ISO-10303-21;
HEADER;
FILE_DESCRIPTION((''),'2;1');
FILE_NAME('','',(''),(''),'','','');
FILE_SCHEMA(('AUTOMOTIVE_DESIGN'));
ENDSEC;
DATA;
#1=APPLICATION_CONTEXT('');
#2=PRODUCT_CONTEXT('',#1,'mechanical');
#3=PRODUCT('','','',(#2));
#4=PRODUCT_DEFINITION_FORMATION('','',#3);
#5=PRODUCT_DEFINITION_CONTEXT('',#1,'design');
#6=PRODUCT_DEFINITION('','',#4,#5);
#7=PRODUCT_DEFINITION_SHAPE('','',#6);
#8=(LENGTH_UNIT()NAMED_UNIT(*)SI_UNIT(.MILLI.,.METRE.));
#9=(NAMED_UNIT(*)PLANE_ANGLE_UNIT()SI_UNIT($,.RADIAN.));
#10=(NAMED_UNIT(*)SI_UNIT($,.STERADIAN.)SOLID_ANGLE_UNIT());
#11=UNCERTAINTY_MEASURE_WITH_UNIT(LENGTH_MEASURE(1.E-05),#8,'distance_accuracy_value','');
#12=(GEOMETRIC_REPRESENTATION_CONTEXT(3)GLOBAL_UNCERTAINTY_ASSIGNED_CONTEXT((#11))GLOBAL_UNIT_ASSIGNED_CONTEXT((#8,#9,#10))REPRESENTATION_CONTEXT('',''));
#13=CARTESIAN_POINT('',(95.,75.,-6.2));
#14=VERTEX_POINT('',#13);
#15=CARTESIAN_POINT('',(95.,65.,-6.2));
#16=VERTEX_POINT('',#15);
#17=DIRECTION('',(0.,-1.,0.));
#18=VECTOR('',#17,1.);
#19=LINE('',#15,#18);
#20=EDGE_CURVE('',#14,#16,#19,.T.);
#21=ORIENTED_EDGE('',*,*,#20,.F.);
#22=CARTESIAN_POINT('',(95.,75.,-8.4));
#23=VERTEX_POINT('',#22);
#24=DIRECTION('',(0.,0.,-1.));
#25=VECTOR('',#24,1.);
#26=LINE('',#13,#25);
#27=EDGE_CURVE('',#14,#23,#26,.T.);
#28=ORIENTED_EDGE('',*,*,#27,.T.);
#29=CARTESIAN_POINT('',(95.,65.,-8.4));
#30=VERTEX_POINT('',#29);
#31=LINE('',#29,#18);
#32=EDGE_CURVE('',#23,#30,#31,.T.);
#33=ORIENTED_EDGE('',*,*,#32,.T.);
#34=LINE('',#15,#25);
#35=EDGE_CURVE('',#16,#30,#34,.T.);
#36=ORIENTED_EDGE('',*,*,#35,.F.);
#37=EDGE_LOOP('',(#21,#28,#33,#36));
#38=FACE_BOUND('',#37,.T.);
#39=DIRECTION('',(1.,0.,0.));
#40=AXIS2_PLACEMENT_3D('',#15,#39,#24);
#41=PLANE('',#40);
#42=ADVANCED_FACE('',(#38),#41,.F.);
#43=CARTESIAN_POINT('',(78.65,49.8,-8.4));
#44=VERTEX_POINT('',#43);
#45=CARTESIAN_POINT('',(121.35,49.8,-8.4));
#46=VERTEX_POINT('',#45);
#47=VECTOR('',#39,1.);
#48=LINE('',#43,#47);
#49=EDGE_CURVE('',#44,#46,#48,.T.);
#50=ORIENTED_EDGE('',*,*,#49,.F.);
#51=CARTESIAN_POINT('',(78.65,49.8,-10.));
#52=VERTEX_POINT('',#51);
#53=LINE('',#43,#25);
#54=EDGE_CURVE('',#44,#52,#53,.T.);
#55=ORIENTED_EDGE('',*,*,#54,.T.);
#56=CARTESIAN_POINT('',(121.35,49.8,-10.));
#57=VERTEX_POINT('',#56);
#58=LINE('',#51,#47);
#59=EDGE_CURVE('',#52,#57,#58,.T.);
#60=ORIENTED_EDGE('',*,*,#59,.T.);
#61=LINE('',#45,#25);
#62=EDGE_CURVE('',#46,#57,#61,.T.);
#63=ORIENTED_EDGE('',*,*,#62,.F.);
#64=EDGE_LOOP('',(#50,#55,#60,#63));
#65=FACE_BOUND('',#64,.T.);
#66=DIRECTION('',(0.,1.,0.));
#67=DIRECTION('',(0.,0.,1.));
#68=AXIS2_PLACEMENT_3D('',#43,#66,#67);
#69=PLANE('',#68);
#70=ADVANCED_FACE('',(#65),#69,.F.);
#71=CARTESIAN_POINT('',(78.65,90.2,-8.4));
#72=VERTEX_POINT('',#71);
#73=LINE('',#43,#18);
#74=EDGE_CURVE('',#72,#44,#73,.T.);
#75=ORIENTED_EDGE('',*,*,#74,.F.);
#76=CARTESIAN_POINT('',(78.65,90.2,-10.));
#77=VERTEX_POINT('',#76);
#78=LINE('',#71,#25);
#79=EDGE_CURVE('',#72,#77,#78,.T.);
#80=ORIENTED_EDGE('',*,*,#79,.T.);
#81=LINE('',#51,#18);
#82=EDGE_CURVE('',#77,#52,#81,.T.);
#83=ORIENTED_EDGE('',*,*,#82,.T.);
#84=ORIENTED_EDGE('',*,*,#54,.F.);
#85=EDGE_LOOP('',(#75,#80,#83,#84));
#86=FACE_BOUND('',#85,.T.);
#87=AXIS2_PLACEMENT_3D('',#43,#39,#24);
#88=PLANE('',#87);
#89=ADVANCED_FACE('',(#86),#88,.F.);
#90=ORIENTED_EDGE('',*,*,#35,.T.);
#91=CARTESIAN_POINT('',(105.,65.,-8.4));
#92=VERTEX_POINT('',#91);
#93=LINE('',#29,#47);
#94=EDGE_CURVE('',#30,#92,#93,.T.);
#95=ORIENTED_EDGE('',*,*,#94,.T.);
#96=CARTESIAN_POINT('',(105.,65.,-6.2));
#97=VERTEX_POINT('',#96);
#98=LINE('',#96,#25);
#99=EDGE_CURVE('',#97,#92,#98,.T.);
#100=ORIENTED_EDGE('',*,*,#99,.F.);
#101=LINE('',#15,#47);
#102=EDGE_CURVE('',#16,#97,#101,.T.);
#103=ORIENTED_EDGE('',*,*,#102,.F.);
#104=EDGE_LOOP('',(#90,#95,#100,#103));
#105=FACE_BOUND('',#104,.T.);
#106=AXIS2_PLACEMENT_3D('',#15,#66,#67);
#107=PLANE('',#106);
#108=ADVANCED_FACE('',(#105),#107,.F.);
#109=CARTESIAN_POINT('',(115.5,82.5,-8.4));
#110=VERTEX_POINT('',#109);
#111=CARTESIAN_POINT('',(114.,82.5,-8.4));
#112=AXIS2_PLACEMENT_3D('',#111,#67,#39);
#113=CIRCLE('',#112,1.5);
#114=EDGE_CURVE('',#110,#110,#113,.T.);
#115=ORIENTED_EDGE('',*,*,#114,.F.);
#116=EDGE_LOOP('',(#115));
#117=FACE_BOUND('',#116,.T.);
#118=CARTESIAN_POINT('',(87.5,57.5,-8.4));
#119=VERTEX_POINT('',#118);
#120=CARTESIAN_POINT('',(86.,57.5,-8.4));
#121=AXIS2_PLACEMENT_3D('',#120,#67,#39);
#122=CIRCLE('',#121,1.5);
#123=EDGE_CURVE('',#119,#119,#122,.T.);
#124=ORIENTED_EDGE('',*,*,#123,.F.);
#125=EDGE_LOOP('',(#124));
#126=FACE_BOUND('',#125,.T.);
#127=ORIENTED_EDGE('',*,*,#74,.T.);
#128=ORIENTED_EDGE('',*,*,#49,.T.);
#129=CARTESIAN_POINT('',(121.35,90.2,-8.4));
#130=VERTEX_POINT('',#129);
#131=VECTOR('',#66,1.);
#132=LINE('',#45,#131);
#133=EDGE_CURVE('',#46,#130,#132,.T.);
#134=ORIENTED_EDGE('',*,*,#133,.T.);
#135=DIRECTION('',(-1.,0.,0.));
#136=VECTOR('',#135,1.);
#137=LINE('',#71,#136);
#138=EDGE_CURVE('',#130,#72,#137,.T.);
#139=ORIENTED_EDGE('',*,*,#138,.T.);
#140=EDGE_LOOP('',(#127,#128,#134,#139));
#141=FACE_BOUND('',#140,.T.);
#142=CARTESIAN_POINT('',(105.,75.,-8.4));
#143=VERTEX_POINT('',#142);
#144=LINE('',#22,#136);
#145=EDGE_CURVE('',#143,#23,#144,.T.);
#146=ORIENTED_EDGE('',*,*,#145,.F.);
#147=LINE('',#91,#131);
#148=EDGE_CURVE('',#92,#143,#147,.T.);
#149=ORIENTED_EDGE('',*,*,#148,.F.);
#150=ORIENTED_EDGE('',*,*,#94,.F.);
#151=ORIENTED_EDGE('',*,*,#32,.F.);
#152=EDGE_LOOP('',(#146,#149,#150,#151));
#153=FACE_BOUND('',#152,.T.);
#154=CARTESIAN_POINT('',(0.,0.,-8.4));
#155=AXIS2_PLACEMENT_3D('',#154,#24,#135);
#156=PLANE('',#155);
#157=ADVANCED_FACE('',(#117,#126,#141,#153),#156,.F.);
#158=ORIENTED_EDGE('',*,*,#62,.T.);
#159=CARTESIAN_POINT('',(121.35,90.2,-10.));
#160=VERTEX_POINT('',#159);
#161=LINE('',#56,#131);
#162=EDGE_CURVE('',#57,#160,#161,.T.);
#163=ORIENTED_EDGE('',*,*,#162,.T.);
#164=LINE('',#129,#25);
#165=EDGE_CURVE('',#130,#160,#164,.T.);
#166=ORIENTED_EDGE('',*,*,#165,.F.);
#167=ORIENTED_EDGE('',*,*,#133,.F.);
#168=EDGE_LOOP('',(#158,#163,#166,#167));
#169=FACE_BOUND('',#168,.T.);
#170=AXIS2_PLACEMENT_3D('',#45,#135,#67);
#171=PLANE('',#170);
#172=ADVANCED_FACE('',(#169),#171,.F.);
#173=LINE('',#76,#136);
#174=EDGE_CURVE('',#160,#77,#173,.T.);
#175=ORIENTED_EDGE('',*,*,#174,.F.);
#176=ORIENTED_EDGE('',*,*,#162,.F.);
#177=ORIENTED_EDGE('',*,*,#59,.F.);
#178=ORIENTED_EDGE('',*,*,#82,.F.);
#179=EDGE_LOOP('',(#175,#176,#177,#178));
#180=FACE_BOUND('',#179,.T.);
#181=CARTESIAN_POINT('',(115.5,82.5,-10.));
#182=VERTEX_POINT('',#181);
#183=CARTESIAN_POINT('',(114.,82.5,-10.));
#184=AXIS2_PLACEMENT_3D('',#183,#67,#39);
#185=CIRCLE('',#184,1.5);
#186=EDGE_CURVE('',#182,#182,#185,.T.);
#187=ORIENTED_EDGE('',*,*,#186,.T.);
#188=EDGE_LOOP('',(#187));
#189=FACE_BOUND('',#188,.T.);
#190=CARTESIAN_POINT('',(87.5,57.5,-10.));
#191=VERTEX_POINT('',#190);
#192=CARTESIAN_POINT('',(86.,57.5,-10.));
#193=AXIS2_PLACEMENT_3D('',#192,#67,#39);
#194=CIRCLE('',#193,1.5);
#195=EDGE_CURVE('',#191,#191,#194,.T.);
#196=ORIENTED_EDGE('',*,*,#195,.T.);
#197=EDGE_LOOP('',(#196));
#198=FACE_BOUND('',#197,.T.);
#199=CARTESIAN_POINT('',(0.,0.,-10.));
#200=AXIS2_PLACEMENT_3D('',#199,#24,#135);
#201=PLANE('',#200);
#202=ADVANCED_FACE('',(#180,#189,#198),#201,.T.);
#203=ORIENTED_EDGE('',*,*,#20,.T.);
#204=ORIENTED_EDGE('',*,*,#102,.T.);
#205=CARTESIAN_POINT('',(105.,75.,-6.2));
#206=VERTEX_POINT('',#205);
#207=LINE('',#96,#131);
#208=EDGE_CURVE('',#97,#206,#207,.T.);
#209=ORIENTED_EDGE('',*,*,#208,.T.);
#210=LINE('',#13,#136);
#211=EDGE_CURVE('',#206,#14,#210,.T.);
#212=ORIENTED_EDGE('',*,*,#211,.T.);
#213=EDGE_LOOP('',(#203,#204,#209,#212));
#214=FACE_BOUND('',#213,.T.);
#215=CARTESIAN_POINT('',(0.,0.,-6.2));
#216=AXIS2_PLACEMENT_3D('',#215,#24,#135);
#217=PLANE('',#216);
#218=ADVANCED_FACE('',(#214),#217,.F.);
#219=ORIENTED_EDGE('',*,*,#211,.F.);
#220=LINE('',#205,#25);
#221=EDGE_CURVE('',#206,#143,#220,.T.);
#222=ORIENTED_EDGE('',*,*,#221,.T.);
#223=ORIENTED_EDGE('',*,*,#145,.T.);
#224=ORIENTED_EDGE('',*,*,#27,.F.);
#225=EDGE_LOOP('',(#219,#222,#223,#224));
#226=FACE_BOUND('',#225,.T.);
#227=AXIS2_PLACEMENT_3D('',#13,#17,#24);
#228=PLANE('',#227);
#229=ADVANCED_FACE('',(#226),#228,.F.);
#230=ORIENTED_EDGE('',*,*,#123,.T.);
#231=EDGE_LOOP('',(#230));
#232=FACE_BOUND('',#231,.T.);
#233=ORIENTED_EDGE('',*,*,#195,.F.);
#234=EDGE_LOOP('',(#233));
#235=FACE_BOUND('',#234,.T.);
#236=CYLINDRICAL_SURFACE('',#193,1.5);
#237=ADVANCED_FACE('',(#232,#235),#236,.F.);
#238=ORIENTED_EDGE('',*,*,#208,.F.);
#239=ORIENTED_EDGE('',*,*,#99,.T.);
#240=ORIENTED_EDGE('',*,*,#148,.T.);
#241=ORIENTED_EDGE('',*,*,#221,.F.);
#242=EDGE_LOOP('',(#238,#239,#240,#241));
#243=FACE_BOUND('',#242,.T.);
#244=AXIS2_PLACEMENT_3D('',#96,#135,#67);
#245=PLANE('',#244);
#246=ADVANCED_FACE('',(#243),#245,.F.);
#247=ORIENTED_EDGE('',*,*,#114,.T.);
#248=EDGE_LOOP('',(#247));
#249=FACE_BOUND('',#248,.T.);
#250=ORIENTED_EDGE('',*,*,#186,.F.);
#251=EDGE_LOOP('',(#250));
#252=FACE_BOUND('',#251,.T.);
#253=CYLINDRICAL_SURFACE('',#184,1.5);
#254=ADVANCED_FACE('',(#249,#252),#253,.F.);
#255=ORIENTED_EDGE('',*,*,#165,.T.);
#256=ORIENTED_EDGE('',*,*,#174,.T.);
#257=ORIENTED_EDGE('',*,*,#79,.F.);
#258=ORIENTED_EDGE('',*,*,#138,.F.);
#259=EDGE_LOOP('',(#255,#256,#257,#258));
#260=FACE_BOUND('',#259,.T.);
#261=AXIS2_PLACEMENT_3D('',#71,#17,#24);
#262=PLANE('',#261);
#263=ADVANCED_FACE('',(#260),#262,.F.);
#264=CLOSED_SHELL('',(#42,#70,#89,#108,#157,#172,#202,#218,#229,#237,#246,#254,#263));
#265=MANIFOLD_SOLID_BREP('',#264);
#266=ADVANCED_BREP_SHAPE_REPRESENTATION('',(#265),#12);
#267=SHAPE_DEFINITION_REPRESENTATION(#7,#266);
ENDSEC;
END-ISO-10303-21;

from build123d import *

# Parameters (mm, degrees)
V10_NFC_V3_REFERENCE42P7X40P4_START       = -10
SKETCH_2_W                                = 42.7
SKETCH_2_H                                = 40.4
V10_NFC_V3_REFERENCE42P7X40P4_DEPTH       = 1.6
V10_NFC_CENTRAL_COMPONENT_REFERENCE_START = -8.4
SKETCH_3_W                                = 10
SKETCH_3_H                                = 10
V10_NFC_CENTRAL_COMPONENT_REFERENCE_DEPTH = 2.2
SKETCH_5_R                                = 1.5
V12_NFC_TWO_DIAGONAL_PHOTO_HOLES_D3_DEPTH = 1.6


with BuildPart() as part:
    # 草图2 → V10_NFC_V3_reference42p7x40p4 (new body)
    with BuildSketch(Plane.XY.offset(V10_NFC_V3_REFERENCE42P7X40P4_START)):
        with Locations((100, 70)):
            Rectangle(SKETCH_2_W, SKETCH_2_H)
    extrude(amount=V10_NFC_V3_REFERENCE42P7X40P4_DEPTH)

    # 草图3 → V10_NFC_central_component_reference (add)
    with BuildSketch(Plane.XY.offset(V10_NFC_CENTRAL_COMPONENT_REFERENCE_START)):
        with Locations((100, 70)):
            Rectangle(SKETCH_3_W, SKETCH_3_H)
    extrude(amount=V10_NFC_CENTRAL_COMPONENT_REFERENCE_DEPTH)

    # 草图5 → V12_NFC_two_diagonal_photo_holes_D3 (cut)
    with BuildSketch(Plane.XY.offset(-8.4)):
        with Locations((86, 57.5)):
            Circle(SKETCH_5_R)
        with Locations((114, 82.5)):
            Circle(SKETCH_5_R)
    extrude(amount=-V12_NFC_TWO_DIAGONAL_PHOTO_HOLES_D3_DEPTH, mode=Mode.SUBTRACT)


solid = part.part
